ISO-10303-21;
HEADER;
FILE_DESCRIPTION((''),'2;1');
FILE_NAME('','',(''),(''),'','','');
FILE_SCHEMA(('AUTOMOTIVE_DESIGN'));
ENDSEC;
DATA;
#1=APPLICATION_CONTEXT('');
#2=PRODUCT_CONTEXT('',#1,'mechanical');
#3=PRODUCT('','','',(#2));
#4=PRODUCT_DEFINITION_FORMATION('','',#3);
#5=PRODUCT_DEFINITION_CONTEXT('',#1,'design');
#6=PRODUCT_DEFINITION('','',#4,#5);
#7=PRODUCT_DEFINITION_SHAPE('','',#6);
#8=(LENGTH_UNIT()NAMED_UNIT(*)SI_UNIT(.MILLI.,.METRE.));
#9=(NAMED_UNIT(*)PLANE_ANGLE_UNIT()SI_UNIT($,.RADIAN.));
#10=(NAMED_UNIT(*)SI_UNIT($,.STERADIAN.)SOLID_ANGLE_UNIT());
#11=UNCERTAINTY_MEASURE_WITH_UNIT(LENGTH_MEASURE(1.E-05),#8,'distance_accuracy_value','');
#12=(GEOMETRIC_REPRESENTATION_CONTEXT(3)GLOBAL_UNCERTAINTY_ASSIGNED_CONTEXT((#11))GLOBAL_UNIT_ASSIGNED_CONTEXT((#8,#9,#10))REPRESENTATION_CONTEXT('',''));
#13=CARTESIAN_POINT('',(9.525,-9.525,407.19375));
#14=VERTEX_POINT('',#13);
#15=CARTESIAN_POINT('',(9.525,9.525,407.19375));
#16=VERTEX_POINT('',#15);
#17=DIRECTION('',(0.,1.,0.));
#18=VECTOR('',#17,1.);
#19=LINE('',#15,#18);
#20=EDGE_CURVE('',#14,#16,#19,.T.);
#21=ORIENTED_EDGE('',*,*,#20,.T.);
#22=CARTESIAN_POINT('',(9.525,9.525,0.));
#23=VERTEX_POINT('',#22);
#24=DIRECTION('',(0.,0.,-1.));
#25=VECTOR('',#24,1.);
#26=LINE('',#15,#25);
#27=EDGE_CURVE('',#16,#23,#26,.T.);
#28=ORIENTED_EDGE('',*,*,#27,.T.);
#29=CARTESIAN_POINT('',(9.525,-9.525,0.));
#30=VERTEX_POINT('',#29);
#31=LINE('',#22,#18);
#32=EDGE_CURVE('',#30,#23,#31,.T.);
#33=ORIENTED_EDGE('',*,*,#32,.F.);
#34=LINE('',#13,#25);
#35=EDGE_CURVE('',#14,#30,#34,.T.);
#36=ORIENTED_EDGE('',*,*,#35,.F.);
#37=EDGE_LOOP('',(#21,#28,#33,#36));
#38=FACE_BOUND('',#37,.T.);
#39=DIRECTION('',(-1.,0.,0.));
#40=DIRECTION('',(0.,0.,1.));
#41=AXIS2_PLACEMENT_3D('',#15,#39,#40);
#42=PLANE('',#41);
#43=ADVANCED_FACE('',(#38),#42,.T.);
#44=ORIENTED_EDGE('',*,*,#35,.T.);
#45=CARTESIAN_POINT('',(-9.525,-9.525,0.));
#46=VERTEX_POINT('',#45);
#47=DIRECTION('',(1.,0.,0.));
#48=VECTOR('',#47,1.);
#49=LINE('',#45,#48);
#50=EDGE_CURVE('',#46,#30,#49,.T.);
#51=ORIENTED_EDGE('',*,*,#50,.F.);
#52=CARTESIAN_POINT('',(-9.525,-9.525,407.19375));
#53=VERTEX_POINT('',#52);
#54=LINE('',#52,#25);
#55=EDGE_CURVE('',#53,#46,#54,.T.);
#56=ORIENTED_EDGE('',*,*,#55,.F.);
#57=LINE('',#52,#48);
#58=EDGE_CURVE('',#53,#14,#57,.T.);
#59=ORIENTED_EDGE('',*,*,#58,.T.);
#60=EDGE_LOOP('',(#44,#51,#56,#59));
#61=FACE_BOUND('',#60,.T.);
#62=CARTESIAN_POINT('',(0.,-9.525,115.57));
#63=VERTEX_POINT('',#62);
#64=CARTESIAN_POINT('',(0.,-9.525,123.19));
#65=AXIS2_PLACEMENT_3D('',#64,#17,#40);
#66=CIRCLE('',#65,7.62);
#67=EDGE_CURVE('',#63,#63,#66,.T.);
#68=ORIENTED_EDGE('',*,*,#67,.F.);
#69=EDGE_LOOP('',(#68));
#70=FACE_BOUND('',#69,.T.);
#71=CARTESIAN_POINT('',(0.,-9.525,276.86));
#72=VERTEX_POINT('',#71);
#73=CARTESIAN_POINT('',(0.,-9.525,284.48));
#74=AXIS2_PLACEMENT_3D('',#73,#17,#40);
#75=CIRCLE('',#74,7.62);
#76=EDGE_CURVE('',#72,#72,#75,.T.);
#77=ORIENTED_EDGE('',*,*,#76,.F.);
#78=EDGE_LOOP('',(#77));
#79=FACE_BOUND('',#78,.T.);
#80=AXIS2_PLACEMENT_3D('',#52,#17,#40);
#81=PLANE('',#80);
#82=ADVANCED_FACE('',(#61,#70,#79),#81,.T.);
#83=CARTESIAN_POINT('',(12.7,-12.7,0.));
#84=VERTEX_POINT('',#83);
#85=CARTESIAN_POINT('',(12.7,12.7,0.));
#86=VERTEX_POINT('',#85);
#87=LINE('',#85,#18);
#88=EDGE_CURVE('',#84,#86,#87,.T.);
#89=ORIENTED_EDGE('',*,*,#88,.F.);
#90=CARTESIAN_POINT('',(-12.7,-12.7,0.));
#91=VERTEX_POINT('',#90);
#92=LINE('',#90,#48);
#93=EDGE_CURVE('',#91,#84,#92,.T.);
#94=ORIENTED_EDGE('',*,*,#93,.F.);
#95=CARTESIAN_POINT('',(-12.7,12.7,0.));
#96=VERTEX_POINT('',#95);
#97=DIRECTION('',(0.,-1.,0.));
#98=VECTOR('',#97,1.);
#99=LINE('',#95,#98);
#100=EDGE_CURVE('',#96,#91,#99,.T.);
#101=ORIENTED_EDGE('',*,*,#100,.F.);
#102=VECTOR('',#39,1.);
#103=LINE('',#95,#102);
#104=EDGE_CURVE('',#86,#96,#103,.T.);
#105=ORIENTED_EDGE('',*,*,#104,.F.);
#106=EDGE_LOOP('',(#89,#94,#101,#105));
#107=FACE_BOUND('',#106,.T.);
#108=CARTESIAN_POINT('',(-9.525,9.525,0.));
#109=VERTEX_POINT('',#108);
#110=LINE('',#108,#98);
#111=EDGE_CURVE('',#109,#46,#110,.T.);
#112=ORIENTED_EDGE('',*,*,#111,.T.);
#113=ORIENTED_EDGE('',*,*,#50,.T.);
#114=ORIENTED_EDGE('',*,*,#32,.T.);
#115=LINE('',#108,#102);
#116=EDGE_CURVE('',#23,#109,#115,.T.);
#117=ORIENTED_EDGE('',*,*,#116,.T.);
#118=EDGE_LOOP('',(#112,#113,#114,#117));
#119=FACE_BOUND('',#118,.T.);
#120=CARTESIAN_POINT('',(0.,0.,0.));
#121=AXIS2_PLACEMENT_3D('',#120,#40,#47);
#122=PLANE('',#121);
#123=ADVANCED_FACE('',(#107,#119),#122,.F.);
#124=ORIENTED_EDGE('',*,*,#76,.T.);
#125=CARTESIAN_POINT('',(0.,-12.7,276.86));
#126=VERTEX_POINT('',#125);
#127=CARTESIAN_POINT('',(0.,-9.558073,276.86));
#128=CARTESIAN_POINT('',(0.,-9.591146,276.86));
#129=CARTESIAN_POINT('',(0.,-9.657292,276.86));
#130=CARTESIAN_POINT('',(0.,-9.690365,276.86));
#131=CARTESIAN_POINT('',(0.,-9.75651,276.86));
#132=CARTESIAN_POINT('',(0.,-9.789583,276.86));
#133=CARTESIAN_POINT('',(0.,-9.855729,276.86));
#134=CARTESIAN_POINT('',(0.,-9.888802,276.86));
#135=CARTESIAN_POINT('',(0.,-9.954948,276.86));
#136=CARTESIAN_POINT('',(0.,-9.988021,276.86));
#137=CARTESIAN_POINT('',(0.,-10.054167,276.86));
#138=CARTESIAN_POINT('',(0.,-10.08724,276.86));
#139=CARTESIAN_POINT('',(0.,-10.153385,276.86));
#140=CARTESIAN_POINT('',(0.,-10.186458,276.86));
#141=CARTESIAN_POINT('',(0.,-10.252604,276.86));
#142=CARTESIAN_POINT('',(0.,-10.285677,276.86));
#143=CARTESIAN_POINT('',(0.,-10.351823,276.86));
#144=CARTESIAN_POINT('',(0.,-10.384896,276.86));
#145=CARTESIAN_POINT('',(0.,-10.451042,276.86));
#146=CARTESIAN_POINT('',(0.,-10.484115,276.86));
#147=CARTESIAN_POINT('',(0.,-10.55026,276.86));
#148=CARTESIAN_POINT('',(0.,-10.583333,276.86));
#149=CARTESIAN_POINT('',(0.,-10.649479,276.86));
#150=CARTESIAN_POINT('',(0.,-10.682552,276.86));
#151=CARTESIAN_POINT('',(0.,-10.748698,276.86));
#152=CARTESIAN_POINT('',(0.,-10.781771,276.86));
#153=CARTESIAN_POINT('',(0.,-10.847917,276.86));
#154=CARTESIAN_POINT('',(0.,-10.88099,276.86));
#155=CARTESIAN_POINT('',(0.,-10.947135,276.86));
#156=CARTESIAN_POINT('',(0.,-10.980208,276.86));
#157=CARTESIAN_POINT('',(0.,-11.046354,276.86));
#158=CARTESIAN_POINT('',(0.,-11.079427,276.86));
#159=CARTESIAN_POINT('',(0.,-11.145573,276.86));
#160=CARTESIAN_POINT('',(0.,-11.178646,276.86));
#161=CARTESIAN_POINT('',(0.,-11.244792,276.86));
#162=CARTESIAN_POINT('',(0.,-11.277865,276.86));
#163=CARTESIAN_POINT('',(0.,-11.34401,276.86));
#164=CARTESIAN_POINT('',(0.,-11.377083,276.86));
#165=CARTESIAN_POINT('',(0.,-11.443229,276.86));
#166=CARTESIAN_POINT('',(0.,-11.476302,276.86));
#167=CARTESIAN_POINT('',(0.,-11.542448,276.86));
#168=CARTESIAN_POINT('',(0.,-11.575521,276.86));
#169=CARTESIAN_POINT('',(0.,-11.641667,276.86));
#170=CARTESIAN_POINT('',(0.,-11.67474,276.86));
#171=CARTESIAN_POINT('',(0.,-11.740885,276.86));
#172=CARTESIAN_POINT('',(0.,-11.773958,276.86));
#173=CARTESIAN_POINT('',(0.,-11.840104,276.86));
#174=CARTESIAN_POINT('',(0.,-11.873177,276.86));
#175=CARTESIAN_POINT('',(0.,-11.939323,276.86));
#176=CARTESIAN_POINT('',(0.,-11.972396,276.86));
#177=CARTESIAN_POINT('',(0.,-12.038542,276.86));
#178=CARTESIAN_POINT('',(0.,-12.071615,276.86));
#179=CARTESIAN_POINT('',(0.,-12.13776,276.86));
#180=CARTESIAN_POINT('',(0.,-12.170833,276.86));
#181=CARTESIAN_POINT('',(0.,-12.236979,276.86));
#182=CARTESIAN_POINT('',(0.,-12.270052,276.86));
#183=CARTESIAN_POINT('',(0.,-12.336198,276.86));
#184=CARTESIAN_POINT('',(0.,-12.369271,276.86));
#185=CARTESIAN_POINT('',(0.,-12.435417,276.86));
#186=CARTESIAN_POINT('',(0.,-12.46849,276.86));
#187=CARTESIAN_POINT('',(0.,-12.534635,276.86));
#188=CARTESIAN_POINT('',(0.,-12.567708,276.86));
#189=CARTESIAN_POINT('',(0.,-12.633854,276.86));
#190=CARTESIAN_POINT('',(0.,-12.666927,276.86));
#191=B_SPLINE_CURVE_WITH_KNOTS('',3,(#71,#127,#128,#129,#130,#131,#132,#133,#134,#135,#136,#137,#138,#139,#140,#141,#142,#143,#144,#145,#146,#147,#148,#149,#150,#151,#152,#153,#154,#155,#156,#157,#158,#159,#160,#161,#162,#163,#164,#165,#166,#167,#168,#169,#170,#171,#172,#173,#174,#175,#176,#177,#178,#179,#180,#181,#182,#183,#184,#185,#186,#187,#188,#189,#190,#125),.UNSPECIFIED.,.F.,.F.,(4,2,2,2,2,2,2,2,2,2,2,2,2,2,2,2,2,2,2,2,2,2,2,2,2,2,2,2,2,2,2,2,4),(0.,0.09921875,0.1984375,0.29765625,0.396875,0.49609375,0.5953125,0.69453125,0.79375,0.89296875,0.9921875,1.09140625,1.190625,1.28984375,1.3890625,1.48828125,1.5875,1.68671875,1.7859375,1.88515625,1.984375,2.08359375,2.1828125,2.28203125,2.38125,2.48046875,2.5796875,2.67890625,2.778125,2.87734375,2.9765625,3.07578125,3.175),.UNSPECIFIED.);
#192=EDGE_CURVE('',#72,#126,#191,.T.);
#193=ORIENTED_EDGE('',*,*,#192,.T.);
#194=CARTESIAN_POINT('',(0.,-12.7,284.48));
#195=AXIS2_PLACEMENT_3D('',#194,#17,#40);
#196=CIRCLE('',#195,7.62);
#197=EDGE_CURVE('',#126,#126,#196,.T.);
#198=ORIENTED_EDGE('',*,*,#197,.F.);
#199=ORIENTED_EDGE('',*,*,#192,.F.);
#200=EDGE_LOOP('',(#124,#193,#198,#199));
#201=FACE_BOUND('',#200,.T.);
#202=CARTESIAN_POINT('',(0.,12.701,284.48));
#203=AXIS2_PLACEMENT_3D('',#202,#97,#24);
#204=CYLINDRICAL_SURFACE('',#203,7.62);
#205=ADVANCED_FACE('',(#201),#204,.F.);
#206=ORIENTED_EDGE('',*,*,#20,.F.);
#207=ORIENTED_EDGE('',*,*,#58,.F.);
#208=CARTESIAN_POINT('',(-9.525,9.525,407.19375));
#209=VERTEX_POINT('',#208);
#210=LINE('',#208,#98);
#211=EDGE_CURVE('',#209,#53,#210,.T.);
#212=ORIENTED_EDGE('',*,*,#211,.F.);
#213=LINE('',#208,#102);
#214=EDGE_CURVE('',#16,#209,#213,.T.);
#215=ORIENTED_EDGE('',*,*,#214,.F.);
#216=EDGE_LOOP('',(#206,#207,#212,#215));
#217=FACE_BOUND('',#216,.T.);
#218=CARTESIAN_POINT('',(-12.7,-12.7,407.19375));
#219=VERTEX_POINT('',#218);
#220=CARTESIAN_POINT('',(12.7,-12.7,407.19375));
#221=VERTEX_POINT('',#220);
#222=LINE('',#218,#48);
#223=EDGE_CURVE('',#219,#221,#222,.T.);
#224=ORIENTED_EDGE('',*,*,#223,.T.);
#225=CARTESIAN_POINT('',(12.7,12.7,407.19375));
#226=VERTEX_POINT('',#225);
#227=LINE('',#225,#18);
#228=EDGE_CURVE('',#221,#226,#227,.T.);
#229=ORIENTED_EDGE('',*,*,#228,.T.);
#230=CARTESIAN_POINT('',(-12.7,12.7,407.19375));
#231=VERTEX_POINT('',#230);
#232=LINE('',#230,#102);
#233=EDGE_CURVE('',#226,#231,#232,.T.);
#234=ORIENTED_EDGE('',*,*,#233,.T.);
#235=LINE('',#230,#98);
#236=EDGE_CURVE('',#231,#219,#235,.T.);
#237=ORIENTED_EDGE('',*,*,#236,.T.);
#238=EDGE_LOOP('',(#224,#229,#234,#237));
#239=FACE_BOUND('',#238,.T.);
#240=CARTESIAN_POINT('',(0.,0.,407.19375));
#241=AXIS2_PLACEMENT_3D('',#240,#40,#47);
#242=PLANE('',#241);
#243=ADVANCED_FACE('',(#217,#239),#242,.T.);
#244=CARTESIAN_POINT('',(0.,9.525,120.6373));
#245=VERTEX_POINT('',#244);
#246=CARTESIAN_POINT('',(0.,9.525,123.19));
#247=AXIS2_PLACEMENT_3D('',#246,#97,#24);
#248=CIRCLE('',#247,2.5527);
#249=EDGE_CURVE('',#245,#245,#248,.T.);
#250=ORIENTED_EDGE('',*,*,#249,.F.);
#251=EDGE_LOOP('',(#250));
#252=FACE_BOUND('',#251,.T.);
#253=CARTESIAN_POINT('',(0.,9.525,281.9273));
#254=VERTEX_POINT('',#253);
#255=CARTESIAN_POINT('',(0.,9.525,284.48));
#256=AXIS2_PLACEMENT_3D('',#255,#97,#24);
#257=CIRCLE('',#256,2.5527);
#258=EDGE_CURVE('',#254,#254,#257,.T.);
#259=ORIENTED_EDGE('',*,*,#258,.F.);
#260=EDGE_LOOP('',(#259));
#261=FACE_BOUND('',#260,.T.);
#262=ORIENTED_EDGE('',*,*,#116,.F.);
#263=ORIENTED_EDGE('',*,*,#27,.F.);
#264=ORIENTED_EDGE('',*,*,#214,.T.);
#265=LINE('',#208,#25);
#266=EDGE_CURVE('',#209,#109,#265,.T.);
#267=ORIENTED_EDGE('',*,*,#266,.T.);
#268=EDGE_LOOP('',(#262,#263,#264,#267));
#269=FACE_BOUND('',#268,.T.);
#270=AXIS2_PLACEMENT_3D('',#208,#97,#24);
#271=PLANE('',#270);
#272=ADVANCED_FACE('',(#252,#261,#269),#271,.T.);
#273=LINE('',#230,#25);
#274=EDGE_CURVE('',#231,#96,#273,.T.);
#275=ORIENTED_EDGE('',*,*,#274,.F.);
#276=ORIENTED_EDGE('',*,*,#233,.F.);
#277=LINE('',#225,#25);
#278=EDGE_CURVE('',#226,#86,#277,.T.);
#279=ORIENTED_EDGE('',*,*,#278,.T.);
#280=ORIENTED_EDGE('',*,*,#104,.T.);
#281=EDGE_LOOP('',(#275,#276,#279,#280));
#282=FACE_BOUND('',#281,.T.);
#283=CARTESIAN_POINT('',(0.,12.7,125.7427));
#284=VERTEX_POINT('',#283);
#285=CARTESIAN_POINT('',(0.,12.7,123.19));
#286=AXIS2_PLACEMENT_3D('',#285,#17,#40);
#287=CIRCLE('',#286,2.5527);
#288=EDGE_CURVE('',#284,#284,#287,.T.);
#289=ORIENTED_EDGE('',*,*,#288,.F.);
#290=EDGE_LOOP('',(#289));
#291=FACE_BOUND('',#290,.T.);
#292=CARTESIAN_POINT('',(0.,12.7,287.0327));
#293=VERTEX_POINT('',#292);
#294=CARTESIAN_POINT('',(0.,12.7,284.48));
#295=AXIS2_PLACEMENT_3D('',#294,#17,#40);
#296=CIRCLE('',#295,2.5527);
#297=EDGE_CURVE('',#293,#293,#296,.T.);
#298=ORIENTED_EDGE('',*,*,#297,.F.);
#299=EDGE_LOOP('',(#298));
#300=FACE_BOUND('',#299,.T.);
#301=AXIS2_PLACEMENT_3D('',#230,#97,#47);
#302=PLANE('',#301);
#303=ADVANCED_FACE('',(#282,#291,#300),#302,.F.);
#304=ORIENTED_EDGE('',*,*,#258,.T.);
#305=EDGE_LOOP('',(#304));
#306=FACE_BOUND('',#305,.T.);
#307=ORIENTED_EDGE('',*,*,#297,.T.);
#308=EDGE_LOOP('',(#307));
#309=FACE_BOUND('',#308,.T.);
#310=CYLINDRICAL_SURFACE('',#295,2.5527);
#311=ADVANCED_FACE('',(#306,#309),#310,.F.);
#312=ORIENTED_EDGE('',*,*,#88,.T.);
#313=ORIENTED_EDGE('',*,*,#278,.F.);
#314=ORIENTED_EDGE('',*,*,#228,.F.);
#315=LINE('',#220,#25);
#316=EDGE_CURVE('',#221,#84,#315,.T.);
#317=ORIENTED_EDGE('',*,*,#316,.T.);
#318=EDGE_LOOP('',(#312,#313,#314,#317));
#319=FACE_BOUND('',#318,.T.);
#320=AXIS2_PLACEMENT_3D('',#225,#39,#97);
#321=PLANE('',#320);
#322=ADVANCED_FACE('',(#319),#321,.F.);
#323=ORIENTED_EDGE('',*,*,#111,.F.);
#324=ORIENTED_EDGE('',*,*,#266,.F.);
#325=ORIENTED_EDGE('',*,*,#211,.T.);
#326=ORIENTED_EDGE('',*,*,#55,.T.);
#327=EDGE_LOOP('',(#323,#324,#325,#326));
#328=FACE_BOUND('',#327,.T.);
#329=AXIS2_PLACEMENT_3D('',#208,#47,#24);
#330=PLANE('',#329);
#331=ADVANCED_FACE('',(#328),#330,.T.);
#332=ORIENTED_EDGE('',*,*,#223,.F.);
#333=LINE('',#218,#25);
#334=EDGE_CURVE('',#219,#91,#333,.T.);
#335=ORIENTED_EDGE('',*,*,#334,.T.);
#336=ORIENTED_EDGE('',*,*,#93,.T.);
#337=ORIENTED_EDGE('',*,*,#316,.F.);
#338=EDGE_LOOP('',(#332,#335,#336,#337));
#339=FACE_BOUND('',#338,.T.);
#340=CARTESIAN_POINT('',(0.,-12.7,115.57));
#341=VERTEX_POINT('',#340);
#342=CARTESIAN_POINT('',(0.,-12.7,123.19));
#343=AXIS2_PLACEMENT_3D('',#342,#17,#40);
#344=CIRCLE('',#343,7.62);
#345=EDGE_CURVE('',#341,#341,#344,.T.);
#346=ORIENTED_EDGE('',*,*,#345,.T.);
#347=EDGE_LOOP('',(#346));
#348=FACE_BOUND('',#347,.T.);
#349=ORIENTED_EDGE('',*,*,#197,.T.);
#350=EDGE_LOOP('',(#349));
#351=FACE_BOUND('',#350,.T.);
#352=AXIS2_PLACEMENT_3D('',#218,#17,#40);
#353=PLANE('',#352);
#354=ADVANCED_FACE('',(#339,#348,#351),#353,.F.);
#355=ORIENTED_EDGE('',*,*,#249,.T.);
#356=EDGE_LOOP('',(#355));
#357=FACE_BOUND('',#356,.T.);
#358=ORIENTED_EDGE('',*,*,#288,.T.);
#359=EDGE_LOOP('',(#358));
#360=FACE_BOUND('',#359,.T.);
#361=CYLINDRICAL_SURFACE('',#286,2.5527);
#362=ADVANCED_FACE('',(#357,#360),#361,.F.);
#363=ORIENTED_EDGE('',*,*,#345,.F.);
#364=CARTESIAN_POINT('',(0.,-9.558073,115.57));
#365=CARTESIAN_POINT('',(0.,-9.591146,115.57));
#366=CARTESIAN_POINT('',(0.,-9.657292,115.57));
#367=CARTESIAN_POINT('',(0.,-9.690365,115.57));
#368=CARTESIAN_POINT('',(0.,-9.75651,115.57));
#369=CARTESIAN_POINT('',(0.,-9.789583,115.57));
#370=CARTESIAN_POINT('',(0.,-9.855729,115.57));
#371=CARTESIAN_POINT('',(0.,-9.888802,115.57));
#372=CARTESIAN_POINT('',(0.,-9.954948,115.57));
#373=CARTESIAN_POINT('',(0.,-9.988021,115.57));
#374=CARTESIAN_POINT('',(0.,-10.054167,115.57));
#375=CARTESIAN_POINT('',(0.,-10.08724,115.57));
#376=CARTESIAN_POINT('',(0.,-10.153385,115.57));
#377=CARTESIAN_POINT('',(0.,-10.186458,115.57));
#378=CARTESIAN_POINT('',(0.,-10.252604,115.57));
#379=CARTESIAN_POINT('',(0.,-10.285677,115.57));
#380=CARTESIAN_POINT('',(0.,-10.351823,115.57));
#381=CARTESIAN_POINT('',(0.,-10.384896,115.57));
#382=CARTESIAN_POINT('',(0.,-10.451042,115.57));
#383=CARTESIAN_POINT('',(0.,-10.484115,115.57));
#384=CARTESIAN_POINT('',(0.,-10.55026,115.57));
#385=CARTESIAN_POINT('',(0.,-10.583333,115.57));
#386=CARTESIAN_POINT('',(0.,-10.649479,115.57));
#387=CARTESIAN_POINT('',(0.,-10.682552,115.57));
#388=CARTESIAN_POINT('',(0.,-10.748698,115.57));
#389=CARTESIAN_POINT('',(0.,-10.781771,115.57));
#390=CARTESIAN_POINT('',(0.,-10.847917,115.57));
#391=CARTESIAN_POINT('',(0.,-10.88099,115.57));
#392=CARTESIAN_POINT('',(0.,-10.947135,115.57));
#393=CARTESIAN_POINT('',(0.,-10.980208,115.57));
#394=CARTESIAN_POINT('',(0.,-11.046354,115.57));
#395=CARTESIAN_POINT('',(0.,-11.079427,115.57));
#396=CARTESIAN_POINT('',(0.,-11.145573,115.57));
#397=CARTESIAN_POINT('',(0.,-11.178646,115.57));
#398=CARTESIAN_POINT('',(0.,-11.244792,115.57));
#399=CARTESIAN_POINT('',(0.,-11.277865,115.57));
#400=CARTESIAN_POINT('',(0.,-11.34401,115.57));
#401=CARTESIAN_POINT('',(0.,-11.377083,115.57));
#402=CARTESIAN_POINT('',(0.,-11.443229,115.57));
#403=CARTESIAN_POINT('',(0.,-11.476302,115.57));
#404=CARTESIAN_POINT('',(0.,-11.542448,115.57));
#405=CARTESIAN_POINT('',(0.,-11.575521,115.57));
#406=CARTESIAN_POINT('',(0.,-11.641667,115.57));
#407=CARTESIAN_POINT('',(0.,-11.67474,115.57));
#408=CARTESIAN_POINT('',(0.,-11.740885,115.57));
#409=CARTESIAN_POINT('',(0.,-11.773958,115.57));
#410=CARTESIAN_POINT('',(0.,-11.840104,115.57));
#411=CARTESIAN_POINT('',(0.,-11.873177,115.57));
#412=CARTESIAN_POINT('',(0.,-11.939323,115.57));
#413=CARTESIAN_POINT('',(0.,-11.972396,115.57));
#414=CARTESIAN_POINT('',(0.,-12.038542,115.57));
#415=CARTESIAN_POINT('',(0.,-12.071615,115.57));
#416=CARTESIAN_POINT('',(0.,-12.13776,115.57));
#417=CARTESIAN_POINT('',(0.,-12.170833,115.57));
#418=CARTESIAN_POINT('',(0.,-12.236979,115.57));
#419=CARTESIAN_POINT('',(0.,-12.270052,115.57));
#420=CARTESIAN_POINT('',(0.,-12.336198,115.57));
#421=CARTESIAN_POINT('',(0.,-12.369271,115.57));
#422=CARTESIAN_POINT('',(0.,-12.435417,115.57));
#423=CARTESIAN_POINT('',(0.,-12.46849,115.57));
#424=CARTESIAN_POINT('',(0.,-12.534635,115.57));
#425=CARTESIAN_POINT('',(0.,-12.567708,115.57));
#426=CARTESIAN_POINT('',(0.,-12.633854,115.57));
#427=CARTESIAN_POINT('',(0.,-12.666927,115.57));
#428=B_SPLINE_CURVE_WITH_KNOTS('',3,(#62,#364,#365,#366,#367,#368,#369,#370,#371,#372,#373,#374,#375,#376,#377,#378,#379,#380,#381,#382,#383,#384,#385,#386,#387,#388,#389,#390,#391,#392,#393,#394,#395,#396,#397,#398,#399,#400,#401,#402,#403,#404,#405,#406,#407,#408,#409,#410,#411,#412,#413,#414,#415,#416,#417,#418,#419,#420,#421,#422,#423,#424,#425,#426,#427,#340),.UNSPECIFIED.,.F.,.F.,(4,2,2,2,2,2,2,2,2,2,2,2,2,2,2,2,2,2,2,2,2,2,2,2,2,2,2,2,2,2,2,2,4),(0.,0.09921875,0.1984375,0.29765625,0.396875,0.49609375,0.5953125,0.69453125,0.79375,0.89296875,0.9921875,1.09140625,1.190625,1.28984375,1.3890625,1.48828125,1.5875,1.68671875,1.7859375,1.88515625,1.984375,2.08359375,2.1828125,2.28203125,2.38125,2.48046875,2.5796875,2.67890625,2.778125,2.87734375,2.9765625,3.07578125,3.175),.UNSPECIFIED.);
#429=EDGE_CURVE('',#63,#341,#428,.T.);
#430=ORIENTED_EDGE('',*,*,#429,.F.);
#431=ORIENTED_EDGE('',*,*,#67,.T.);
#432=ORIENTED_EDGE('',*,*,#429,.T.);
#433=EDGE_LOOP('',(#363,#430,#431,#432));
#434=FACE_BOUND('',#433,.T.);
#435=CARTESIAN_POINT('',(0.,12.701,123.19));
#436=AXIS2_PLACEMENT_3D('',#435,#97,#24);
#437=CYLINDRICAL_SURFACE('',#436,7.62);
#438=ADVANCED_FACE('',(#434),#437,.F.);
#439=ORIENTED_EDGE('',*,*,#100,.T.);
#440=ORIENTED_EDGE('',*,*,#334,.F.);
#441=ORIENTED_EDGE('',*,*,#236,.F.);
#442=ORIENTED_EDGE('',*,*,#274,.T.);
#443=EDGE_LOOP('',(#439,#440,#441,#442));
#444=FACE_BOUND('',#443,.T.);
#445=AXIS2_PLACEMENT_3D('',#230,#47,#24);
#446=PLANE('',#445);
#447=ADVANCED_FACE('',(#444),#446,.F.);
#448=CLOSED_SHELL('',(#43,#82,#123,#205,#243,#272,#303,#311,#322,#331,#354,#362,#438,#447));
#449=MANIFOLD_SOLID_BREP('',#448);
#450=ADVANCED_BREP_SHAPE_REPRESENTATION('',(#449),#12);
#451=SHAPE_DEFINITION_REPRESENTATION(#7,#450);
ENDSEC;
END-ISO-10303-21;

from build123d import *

# Parameters (mm, degrees)
SKETCH1_W              = 25.4
SKETCH1_H              = 25.4
SKETCH1_W_2            = 19.05
SKETCH1_H_2            = 19.05
BOSS_EXTRUDE1_DEPTH    = 407.19375
F_10_CLEARANCE_HOLE1_D = 5.1054
CUT_EXTRUDE1_REACH     = 410.183
SKETCH4_R              = 7.62


with BuildPart() as part:
    # Sketch1 → Boss-Extrude1 (new body)
    with BuildSketch(Plane.XY):
        Rectangle(SKETCH1_W, SKETCH1_H)
        Rectangle(SKETCH1_W_2, SKETCH1_H_2, mode=Mode.SUBTRACT)
    extrude(amount=BOSS_EXTRUDE1_DEPTH)

    # #10 Clearance Hole1 (through all)
    with Locations(Plane(origin=(146.05, 12.7, 546.735), x_dir=(0, 0, 1), z_dir=(0, 1, 0))):
        with Locations((-423.545, -146.05), (-262.255, -146.05)):
            Hole(F_10_CLEARANCE_HOLE1_D / 2)

    # Sketch4 → Cut-Extrude1 (cut, up to next)
    with BuildSketch(Plane(origin=(0, -12.7, 0), x_dir=(1, 0, 0), z_dir=(0, 1, 0)), mode=Mode.PRIVATE) as cut_extrude1_sk1:
        with Locations(Location((0, -123.19, 0), (0, 0, 90))):
            Circle(SKETCH4_R)
    cut_extrude1_tool1 = extrude(cut_extrude1_sk1.sketch, amount=CUT_EXTRUDE1_REACH, mode=Mode.PRIVATE) & part.part
    # Sketch4 → Cut-Extrude1 (cut, up to next)
    with BuildSketch(Plane(origin=(0, -12.7, 0), x_dir=(1, 0, 0), z_dir=(0, 1, 0)), mode=Mode.PRIVATE) as cut_extrude1_sk2:
        with Locations(Location((0, -284.48, 0), (0, 0, 90))):
            Circle(SKETCH4_R)
    cut_extrude1_tool2 = extrude(cut_extrude1_sk2.sketch, amount=CUT_EXTRUDE1_REACH, mode=Mode.PRIVATE) & part.part
    add(cut_extrude1_tool1.solids().sort_by_distance((0, -12.7, 123.19))[0], mode=Mode.SUBTRACT)
    add(cut_extrude1_tool2.solids().sort_by_distance((0, -12.7, 284.48))[0], mode=Mode.SUBTRACT)


solid = part.part
